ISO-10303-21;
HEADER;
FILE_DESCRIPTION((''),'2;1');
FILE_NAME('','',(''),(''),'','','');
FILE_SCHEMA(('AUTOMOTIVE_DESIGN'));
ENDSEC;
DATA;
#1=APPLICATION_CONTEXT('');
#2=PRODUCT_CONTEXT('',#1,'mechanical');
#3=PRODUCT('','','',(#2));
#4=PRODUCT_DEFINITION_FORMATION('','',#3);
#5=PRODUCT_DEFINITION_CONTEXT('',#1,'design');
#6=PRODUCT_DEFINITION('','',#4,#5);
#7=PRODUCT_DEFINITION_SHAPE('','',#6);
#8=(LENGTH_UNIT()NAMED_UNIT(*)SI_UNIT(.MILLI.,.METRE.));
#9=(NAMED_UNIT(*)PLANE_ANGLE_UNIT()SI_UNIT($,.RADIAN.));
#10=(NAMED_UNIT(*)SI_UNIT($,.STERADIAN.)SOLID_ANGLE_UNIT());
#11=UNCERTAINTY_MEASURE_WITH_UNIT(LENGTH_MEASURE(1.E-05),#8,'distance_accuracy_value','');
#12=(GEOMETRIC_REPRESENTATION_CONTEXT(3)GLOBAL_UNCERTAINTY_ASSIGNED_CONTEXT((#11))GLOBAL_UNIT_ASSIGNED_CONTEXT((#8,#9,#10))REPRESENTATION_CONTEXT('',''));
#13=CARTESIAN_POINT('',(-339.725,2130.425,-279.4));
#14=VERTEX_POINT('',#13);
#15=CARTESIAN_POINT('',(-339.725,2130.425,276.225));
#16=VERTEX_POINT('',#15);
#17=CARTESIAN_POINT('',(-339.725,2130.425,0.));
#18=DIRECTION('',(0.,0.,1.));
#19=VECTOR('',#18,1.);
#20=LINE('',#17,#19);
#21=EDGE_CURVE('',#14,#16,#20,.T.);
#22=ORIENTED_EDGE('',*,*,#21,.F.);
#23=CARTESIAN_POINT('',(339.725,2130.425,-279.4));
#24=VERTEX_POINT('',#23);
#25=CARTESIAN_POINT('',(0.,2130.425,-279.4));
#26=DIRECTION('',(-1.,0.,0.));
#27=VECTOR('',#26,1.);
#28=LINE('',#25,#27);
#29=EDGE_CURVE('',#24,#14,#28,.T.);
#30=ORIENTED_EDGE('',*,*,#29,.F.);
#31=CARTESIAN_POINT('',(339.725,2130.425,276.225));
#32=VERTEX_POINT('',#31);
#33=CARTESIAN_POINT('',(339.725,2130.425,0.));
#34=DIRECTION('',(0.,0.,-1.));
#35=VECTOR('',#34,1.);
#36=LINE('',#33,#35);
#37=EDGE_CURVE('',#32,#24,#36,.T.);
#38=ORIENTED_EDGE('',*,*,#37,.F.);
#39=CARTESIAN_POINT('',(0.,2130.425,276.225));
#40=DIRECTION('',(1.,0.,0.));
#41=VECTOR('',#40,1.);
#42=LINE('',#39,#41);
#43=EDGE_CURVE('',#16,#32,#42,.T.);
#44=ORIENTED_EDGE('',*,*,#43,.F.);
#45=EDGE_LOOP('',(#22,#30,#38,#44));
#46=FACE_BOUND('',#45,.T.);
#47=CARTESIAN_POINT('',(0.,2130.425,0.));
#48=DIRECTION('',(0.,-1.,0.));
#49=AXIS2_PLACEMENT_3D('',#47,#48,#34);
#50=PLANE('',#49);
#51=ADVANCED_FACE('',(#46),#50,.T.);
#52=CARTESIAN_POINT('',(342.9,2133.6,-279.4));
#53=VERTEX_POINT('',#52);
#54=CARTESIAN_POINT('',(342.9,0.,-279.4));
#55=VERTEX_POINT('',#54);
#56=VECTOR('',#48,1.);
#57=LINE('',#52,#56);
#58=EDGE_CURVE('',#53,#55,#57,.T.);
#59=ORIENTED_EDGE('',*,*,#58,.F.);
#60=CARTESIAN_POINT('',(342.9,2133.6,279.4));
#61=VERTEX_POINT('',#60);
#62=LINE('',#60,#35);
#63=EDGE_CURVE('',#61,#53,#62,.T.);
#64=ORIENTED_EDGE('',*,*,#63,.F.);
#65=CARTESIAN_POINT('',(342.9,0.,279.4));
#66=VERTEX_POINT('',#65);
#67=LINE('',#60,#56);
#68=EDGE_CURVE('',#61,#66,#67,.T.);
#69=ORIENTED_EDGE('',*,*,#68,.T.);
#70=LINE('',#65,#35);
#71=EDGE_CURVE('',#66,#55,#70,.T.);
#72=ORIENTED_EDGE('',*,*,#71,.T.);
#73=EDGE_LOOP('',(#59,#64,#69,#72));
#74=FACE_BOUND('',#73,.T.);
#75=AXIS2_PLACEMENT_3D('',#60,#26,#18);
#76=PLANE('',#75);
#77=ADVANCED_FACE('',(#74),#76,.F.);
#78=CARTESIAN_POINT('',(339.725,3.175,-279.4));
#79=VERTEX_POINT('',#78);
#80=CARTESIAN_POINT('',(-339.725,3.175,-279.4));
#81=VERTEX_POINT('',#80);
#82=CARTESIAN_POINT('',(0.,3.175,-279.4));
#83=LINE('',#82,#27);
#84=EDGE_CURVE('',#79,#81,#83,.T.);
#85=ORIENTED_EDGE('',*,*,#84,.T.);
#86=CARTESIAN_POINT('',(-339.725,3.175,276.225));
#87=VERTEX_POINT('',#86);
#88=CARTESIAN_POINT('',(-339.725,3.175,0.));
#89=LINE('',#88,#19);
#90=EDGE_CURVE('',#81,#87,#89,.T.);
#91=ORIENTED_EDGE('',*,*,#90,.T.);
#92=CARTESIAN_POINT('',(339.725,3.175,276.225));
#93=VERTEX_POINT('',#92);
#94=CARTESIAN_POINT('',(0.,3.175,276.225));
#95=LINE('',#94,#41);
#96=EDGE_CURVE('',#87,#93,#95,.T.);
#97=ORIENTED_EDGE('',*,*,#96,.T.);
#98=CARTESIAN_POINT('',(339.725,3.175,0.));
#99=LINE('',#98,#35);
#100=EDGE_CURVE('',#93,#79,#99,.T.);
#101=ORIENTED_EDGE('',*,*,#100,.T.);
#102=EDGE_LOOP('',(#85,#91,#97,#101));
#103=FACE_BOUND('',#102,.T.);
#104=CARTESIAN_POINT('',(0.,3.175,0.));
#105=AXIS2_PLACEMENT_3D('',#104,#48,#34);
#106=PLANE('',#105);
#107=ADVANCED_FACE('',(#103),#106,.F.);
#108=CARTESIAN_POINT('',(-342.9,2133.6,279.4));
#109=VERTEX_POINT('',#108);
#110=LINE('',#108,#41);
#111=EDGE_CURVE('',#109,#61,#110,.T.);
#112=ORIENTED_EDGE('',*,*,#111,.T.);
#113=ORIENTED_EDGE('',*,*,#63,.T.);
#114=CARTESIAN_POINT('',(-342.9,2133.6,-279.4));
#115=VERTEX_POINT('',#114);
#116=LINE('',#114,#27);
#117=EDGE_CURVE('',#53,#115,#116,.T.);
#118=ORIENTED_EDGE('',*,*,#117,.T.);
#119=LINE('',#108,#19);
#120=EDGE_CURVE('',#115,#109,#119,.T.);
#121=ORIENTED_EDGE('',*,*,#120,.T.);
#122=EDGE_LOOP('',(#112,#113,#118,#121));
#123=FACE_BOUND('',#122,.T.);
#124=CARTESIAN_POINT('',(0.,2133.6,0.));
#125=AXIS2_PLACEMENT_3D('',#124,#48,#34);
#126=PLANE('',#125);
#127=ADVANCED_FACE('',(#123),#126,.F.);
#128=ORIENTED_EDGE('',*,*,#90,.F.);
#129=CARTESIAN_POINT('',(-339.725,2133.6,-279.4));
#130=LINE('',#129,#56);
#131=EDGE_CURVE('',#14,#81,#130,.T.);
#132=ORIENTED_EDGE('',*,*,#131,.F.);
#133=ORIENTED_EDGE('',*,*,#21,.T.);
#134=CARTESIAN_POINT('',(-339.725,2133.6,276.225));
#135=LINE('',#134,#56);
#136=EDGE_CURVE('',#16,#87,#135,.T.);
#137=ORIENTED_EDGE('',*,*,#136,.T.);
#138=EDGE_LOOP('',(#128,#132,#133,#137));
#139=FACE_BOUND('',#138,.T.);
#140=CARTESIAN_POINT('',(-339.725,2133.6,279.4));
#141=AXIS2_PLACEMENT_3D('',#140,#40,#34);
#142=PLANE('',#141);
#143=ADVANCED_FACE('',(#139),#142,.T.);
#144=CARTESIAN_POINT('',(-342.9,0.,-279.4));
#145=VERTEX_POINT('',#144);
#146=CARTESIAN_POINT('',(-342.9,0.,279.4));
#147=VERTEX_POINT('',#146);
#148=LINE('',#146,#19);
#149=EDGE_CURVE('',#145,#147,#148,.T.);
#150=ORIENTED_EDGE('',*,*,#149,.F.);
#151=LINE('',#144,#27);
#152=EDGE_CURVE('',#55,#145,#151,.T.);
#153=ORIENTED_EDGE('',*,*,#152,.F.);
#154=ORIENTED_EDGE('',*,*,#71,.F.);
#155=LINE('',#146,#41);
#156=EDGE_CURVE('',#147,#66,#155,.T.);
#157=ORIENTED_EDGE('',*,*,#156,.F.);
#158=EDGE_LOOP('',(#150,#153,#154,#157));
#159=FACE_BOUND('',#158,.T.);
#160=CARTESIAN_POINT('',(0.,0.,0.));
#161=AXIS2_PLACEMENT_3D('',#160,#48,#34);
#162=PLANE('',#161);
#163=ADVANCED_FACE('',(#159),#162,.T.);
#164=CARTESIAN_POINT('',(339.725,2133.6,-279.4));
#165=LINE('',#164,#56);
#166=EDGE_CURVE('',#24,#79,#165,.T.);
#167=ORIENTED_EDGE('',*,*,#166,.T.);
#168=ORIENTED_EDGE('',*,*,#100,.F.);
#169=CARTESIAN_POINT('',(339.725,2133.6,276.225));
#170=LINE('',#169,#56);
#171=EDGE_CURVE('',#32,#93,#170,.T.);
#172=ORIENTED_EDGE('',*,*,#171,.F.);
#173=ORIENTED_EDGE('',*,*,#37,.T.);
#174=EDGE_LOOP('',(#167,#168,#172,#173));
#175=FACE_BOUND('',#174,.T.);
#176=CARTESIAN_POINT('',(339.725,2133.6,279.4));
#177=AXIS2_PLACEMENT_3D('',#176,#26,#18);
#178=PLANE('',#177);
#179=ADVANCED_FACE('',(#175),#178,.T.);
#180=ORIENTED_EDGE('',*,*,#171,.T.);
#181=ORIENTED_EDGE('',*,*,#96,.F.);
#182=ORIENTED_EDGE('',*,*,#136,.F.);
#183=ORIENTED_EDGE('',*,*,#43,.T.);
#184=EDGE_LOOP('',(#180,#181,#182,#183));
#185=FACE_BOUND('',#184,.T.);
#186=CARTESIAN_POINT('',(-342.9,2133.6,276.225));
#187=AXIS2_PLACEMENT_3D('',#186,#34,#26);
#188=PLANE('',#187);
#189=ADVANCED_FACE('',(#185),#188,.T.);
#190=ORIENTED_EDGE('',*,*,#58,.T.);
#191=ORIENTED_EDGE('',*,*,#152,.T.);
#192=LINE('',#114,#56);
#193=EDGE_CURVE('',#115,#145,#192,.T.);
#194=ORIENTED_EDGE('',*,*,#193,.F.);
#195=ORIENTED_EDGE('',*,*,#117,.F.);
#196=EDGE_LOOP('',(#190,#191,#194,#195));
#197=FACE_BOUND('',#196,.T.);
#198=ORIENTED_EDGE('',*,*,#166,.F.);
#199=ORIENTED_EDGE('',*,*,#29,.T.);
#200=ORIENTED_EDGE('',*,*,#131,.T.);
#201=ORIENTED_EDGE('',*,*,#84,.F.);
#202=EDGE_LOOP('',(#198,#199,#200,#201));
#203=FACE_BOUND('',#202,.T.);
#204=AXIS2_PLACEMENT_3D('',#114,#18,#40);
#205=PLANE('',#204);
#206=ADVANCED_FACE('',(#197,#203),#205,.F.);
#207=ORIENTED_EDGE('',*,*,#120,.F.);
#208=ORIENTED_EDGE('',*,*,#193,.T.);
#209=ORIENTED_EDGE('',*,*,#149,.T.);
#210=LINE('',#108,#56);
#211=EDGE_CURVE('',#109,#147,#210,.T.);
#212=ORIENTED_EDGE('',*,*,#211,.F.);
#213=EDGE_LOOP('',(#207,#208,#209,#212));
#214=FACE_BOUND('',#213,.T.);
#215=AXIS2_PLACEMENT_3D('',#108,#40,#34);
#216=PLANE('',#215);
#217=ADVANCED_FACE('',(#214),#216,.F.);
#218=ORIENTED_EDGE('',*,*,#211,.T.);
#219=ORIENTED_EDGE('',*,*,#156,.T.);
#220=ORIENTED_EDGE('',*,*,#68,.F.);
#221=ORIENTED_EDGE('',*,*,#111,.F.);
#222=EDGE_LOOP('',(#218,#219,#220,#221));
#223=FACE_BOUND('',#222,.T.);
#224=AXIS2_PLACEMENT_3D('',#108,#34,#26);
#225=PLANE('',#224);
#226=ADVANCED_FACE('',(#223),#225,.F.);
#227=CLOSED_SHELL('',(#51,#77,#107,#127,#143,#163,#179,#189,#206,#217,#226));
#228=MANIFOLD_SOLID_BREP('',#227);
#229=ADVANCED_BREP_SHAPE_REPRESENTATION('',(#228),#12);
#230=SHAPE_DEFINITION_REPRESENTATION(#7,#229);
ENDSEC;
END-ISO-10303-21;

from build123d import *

# Parameters (mm, degrees)
SKETCH1_W           = 685.8
SKETCH1_H           = 558.8
BOSS_EXTRUDE1_DEPTH = 2133.6
SHELL1_T            = -3.175


with BuildPart() as part:
    # Sketch1 → Boss-Extrude1 (new body)
    with BuildSketch(Plane(origin=(0, 0, 0), x_dir=(1, 0, 0), z_dir=(0, 1, 0))):
        Rectangle(SKETCH1_W, SKETCH1_H)
    extrude(amount=BOSS_EXTRUDE1_DEPTH)

    # Shell1
    shell1_openings = [part.faces().sort_by_distance(p)[0] for p in [
        (0, 1066.8, -279.4),
    ]]
    offset(amount=SHELL1_T, openings=shell1_openings, kind=Kind.INTERSECTION)


solid = part.part
